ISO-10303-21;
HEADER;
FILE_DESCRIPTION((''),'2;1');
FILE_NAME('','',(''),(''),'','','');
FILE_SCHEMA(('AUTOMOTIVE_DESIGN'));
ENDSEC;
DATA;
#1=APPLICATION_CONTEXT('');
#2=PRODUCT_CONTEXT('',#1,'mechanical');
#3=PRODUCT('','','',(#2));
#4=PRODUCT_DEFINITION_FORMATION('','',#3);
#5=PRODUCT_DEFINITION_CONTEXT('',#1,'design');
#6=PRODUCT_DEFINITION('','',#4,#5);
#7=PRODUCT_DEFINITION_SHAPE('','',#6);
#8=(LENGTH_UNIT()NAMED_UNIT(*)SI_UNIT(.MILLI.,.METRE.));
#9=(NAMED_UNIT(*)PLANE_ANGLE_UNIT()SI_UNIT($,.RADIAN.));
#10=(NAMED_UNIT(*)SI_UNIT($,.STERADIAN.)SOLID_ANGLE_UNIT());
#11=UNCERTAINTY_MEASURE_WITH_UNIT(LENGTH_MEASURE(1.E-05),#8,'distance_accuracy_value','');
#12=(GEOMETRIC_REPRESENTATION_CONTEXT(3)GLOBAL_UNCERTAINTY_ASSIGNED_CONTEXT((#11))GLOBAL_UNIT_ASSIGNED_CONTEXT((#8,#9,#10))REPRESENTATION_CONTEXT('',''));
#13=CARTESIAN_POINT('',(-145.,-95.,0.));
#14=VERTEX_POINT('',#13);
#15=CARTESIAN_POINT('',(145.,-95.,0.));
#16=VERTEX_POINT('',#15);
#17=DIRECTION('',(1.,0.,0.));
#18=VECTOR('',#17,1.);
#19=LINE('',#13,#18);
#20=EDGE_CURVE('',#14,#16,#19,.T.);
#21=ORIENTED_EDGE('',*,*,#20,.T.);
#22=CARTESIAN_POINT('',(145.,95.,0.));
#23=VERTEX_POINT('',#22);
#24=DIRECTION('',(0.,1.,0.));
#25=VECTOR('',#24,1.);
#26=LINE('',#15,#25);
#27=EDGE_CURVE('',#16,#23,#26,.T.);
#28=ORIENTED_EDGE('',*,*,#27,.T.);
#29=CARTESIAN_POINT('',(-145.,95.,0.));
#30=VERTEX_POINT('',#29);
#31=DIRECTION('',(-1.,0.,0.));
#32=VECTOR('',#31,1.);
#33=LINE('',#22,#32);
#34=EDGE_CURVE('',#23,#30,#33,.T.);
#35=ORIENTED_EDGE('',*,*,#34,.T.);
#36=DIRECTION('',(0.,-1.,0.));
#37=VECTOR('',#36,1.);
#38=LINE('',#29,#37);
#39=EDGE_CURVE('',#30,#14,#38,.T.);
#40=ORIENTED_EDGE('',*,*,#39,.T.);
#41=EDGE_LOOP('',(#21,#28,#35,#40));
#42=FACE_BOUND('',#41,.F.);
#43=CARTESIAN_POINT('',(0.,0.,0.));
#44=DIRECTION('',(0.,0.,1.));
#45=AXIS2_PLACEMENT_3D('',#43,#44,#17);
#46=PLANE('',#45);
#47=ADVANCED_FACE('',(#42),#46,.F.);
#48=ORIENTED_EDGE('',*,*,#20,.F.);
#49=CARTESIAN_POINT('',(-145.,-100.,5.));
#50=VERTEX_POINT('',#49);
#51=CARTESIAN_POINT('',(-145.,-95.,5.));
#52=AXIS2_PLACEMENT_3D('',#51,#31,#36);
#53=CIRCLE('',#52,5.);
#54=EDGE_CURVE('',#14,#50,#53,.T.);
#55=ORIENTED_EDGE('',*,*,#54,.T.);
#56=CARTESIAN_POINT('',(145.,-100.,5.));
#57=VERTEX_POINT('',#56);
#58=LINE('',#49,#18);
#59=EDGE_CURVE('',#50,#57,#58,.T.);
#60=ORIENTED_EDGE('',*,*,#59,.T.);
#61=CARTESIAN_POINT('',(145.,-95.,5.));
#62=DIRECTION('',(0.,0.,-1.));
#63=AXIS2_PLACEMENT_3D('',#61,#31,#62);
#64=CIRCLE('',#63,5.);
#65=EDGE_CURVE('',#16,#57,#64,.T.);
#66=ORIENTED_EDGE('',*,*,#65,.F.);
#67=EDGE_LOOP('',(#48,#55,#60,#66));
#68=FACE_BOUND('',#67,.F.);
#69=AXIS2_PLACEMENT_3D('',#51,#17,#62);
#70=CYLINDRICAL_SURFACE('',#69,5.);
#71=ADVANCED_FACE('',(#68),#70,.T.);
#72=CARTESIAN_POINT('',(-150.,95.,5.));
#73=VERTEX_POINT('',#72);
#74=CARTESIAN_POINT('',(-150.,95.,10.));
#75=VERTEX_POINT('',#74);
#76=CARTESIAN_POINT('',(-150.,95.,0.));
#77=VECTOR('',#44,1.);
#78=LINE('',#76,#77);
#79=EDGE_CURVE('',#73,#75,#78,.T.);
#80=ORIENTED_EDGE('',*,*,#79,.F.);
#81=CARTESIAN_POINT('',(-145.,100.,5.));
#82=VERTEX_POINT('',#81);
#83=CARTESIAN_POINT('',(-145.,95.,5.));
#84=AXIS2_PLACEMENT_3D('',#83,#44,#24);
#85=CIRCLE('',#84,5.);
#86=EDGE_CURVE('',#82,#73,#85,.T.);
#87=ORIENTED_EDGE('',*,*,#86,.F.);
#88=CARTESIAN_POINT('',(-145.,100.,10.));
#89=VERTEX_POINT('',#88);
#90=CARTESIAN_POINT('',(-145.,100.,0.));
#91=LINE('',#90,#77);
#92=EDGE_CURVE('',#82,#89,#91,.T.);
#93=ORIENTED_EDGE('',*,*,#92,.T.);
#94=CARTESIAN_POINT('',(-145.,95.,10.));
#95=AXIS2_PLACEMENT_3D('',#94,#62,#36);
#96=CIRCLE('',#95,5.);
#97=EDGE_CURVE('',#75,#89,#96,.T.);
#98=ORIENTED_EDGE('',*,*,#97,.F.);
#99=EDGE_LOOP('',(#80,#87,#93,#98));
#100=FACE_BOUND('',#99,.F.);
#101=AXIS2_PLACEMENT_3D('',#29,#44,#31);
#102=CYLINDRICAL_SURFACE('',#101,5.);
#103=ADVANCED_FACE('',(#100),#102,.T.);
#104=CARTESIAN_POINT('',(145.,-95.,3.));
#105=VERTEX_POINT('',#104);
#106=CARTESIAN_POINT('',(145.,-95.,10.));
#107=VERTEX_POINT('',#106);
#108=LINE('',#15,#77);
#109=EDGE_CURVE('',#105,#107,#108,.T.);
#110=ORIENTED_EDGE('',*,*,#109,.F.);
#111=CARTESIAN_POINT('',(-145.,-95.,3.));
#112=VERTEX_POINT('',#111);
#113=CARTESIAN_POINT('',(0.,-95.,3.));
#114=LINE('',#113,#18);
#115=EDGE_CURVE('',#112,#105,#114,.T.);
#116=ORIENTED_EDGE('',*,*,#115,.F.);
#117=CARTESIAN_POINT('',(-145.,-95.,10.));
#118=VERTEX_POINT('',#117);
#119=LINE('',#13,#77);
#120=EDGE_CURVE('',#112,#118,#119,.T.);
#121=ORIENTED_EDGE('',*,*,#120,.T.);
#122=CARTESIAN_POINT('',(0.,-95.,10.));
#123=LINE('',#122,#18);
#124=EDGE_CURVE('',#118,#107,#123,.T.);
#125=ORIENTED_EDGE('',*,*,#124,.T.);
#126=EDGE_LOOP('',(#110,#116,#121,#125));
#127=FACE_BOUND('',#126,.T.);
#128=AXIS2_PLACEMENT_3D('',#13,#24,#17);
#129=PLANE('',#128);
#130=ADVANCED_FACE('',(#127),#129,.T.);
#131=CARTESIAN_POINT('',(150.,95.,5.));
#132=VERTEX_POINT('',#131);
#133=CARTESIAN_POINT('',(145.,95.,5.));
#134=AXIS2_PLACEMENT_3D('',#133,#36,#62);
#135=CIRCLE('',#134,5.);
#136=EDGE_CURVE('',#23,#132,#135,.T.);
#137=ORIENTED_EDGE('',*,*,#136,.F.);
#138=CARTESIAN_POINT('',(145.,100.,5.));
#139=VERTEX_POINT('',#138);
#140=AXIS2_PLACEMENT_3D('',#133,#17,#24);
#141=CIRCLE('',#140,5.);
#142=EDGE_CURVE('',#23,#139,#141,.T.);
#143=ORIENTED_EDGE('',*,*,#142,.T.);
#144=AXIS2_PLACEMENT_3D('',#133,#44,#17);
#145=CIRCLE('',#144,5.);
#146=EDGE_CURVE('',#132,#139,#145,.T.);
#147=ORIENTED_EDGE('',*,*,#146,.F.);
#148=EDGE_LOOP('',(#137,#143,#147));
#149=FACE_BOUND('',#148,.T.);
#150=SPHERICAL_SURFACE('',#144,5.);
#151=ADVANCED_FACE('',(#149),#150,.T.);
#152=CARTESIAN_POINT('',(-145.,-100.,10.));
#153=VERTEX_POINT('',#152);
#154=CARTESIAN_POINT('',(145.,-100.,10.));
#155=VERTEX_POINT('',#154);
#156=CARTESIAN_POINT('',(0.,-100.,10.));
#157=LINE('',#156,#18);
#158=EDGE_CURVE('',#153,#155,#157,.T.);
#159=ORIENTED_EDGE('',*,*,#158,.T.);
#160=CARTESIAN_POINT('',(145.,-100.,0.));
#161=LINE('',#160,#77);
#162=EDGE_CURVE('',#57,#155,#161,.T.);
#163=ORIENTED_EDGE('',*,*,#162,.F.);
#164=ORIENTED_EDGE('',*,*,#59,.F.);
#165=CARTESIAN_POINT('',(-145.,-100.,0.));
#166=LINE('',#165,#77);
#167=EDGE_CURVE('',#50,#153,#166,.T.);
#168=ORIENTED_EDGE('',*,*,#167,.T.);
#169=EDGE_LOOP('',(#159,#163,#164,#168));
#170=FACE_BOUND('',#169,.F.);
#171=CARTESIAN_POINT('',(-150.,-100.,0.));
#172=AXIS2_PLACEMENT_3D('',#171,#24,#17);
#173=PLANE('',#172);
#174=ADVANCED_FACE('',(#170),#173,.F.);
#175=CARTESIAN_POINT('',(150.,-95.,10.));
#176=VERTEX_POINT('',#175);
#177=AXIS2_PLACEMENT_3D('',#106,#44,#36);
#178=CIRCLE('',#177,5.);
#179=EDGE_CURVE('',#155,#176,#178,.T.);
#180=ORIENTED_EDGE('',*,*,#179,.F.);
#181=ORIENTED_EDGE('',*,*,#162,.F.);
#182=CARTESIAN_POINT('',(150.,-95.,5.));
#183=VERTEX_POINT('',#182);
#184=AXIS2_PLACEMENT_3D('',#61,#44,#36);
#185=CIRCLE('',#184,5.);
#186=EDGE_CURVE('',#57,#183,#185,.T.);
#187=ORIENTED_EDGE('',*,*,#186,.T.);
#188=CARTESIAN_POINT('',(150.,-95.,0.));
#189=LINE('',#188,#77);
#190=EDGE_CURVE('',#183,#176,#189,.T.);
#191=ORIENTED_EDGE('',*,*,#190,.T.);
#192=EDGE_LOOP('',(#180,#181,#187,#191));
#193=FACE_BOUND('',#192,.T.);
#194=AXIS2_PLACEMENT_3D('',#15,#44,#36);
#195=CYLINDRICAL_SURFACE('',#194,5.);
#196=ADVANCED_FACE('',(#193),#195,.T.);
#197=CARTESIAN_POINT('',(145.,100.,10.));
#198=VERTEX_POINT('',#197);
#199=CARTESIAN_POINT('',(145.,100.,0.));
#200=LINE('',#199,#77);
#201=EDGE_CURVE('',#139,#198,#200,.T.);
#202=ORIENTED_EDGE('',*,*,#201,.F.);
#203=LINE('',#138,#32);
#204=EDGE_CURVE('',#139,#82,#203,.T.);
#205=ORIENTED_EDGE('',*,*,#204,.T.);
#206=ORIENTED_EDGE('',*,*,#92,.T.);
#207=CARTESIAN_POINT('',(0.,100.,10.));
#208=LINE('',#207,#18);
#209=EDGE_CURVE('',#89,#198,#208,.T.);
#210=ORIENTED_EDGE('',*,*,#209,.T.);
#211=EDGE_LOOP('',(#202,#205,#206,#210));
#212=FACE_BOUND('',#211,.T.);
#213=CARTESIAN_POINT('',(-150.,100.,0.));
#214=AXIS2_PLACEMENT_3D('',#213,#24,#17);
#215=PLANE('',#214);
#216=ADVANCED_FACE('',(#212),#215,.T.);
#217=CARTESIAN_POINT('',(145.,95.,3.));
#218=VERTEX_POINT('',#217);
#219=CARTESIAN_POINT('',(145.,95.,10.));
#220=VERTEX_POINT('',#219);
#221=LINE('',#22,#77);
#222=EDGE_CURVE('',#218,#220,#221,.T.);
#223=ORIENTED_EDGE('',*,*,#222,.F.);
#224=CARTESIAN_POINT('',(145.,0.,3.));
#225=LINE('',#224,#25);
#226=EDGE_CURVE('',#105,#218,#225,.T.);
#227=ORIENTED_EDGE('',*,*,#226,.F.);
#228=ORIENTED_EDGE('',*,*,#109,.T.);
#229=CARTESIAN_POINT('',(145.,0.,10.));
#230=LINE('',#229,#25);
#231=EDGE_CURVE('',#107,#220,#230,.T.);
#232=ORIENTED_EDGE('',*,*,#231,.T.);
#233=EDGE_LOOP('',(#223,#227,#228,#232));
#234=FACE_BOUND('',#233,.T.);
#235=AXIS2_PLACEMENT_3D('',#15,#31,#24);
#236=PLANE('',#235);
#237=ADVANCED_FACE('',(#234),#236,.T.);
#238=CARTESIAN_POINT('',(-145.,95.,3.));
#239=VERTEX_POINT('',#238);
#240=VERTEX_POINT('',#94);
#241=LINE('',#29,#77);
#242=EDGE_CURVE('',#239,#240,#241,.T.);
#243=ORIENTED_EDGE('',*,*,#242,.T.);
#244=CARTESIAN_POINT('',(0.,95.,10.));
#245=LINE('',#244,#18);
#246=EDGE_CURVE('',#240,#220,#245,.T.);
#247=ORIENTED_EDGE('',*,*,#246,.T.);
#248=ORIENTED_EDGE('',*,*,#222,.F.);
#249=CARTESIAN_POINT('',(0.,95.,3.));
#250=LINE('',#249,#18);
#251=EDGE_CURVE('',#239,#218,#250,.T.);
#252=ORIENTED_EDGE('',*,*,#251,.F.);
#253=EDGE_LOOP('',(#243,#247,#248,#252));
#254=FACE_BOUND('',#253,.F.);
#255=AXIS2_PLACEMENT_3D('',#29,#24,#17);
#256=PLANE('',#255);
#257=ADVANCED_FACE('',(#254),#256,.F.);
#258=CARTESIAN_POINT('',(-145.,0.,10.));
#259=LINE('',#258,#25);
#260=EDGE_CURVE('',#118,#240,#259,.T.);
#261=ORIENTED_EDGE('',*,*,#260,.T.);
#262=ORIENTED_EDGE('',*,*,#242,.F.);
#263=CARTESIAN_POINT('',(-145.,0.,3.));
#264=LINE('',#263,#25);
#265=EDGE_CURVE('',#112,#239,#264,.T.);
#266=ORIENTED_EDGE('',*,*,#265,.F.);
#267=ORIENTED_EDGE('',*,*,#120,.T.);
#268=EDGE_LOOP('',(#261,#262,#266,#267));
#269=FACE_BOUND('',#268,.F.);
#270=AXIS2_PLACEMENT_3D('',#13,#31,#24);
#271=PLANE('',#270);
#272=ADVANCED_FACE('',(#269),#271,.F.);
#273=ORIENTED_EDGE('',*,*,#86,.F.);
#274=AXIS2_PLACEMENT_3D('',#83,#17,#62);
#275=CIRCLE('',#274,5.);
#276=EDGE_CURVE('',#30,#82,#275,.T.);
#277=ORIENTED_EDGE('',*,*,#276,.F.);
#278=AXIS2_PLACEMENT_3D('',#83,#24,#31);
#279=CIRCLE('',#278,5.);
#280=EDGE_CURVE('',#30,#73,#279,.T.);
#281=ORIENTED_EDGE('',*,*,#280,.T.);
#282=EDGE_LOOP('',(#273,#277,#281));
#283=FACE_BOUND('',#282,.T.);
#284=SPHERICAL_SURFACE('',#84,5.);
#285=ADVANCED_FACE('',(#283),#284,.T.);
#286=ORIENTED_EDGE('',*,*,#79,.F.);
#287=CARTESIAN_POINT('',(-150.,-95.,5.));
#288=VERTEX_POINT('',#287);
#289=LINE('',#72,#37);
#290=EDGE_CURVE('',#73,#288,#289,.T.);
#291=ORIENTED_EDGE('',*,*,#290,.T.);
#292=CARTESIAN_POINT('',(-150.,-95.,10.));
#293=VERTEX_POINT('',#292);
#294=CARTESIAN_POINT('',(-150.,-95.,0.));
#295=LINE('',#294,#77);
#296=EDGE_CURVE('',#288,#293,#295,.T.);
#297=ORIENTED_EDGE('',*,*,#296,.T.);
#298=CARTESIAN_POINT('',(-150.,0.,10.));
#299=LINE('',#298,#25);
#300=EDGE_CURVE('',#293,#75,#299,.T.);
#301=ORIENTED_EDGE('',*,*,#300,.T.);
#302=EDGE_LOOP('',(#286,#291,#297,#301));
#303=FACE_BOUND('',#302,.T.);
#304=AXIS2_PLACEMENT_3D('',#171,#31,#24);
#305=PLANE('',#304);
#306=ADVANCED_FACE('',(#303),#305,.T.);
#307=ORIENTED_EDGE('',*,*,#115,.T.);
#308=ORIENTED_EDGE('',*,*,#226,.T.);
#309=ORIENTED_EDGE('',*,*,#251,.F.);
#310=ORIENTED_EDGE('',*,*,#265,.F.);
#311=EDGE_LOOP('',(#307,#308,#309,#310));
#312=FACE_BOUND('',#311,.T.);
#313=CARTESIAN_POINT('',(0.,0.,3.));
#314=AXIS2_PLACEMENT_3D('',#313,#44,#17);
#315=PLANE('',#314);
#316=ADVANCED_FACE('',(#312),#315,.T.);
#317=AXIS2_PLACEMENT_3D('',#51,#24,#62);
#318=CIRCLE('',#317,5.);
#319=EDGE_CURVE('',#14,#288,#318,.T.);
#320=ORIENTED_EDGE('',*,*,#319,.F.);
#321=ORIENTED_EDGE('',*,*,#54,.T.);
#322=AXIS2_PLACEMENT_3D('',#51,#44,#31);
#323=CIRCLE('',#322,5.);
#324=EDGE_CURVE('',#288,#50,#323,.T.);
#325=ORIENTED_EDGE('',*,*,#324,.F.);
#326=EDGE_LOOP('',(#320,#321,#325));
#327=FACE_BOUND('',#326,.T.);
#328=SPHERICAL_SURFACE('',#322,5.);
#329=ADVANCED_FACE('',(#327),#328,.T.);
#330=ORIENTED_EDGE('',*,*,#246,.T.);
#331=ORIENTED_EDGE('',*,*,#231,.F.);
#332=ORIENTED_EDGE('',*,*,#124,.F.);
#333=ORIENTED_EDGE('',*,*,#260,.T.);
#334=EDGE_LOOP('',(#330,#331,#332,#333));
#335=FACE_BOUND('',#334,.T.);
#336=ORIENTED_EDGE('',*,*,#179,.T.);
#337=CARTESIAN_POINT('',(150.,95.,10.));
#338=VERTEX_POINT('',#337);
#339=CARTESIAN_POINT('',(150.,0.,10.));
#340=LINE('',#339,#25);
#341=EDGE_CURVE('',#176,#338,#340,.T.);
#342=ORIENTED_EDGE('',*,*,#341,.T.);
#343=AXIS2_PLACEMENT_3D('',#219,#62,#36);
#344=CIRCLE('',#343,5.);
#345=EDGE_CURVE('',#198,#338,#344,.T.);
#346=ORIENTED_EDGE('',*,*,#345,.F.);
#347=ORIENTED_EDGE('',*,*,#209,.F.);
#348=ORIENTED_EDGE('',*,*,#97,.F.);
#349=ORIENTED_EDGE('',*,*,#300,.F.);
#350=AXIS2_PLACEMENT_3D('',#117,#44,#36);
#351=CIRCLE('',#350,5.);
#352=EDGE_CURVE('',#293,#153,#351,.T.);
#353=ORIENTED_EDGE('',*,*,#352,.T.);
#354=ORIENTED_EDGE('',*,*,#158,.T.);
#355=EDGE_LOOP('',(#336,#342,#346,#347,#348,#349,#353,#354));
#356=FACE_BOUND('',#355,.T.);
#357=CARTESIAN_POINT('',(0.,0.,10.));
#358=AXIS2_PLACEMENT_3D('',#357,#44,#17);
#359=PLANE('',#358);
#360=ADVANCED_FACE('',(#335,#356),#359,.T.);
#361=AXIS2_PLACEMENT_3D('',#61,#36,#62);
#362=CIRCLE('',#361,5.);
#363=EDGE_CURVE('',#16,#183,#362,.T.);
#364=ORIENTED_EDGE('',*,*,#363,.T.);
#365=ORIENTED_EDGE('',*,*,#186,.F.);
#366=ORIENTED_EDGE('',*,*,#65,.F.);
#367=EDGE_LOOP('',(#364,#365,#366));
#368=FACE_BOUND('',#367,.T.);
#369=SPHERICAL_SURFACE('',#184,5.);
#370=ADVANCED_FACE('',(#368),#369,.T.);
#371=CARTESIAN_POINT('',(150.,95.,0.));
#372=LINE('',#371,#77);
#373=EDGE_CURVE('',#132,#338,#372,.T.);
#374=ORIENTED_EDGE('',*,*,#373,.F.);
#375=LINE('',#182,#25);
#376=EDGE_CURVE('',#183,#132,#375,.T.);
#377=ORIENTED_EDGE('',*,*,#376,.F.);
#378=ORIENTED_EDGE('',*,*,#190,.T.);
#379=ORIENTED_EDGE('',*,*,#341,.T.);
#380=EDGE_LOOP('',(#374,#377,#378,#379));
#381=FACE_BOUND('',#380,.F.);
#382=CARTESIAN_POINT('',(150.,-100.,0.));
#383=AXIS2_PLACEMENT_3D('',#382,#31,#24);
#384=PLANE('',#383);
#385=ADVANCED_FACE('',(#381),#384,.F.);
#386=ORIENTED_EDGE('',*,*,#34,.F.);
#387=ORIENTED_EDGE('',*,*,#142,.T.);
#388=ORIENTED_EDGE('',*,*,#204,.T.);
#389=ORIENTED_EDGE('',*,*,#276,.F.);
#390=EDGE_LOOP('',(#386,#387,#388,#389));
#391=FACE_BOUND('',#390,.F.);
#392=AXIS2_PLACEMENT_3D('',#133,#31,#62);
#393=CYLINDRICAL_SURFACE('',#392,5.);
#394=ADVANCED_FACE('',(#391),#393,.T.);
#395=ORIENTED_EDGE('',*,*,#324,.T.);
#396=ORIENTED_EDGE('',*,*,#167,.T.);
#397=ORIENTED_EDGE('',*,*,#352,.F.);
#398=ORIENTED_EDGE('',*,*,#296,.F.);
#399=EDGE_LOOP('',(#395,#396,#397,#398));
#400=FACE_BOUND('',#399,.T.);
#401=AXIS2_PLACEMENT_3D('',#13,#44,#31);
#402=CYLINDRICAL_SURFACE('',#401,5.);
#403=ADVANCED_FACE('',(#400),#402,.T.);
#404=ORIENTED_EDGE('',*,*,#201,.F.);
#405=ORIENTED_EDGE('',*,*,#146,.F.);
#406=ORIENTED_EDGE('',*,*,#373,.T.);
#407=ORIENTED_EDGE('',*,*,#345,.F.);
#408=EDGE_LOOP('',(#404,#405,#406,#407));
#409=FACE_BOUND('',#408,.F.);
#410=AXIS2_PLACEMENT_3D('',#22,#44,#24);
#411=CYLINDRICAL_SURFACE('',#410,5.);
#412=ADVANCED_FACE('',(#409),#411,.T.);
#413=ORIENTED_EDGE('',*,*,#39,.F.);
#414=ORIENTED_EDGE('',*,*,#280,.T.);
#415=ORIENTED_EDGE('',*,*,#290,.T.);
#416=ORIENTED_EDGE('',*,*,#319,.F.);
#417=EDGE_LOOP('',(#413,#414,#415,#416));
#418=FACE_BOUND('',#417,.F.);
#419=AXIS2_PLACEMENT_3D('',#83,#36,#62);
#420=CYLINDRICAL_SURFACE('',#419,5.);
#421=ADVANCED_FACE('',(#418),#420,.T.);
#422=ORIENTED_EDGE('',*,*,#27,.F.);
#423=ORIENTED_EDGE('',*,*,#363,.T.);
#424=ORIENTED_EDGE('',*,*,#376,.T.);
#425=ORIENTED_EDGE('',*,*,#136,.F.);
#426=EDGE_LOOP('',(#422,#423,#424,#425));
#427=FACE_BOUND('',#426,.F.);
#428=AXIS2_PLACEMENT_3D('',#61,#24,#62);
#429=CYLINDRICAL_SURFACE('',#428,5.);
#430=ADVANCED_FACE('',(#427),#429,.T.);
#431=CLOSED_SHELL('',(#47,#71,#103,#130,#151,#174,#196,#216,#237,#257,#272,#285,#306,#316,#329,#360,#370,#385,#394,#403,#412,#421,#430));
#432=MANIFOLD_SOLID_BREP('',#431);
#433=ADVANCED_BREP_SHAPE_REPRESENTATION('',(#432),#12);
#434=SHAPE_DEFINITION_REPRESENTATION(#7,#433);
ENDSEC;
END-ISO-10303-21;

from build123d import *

# Parameters (mm, degrees)
F0_W     = 300
F0_H     = 200
F0_W_2   = 295
F0_H_2   = 195
F0_W_3   = 290
F0_H_3   = 190
F1_DEPTH = 10
F2_DEPTH = 3
F3_DEPTH = 3
F4_R     = 5
F5_R     = 5


with BuildPart() as f1:
    # F0 (on Top) → F1 (new body)
    with BuildSketch(Plane.XY):
        Rectangle(F0_W, F0_H)
        Rectangle(F0_W_2, F0_H_2, mode=Mode.SUBTRACT)
        Rectangle(F0_W_2, F0_H_2)
        Rectangle(F0_W_3, F0_H_3, mode=Mode.SUBTRACT)
    extrude(amount=F1_DEPTH)

    # F0 (on Top) → F2 (cut)
    with BuildSketch(Plane.XY):
        Rectangle(F0_W_2, F0_H_2)
        Rectangle(F0_W_3, F0_H_3, mode=Mode.SUBTRACT)
    extrude(amount=F2_DEPTH, mode=Mode.SUBTRACT)

    # F0 (on Top) → F3 (join)
    with BuildSketch(Plane.XY):
        Rectangle(F0_W_2, F0_H_2)
        Rectangle(F0_W_3, F0_H_3, mode=Mode.SUBTRACT)
        Rectangle(F0_W_3, F0_H_3)
    extrude(amount=F3_DEPTH)

    # F4
    f4_edges = [f1.edges().sort_by_distance(p)[0] for p in [
        (-150, -100, 5),
        (150, -100, 5),
        (150, 100, 5),
        (-150, 100, 5),
    ]]
    fillet(f4_edges, radius=F4_R)

    # F5
    f5_edges = [f1.edges().sort_by_distance(p)[0] for p in [
        (150, 0, 0),
        (148.535534, -98.535534, 0),
        (148.535534, 98.535534, 0),
        (0, -100, 0),
        (0, 100, 0),
        (-148.535534, -98.535534, 0),
        (-148.535534, 98.535534, 0),
        (-150, 0, 0),
    ]]
    fillet(f5_edges, radius=F5_R)


solid = f1.part
